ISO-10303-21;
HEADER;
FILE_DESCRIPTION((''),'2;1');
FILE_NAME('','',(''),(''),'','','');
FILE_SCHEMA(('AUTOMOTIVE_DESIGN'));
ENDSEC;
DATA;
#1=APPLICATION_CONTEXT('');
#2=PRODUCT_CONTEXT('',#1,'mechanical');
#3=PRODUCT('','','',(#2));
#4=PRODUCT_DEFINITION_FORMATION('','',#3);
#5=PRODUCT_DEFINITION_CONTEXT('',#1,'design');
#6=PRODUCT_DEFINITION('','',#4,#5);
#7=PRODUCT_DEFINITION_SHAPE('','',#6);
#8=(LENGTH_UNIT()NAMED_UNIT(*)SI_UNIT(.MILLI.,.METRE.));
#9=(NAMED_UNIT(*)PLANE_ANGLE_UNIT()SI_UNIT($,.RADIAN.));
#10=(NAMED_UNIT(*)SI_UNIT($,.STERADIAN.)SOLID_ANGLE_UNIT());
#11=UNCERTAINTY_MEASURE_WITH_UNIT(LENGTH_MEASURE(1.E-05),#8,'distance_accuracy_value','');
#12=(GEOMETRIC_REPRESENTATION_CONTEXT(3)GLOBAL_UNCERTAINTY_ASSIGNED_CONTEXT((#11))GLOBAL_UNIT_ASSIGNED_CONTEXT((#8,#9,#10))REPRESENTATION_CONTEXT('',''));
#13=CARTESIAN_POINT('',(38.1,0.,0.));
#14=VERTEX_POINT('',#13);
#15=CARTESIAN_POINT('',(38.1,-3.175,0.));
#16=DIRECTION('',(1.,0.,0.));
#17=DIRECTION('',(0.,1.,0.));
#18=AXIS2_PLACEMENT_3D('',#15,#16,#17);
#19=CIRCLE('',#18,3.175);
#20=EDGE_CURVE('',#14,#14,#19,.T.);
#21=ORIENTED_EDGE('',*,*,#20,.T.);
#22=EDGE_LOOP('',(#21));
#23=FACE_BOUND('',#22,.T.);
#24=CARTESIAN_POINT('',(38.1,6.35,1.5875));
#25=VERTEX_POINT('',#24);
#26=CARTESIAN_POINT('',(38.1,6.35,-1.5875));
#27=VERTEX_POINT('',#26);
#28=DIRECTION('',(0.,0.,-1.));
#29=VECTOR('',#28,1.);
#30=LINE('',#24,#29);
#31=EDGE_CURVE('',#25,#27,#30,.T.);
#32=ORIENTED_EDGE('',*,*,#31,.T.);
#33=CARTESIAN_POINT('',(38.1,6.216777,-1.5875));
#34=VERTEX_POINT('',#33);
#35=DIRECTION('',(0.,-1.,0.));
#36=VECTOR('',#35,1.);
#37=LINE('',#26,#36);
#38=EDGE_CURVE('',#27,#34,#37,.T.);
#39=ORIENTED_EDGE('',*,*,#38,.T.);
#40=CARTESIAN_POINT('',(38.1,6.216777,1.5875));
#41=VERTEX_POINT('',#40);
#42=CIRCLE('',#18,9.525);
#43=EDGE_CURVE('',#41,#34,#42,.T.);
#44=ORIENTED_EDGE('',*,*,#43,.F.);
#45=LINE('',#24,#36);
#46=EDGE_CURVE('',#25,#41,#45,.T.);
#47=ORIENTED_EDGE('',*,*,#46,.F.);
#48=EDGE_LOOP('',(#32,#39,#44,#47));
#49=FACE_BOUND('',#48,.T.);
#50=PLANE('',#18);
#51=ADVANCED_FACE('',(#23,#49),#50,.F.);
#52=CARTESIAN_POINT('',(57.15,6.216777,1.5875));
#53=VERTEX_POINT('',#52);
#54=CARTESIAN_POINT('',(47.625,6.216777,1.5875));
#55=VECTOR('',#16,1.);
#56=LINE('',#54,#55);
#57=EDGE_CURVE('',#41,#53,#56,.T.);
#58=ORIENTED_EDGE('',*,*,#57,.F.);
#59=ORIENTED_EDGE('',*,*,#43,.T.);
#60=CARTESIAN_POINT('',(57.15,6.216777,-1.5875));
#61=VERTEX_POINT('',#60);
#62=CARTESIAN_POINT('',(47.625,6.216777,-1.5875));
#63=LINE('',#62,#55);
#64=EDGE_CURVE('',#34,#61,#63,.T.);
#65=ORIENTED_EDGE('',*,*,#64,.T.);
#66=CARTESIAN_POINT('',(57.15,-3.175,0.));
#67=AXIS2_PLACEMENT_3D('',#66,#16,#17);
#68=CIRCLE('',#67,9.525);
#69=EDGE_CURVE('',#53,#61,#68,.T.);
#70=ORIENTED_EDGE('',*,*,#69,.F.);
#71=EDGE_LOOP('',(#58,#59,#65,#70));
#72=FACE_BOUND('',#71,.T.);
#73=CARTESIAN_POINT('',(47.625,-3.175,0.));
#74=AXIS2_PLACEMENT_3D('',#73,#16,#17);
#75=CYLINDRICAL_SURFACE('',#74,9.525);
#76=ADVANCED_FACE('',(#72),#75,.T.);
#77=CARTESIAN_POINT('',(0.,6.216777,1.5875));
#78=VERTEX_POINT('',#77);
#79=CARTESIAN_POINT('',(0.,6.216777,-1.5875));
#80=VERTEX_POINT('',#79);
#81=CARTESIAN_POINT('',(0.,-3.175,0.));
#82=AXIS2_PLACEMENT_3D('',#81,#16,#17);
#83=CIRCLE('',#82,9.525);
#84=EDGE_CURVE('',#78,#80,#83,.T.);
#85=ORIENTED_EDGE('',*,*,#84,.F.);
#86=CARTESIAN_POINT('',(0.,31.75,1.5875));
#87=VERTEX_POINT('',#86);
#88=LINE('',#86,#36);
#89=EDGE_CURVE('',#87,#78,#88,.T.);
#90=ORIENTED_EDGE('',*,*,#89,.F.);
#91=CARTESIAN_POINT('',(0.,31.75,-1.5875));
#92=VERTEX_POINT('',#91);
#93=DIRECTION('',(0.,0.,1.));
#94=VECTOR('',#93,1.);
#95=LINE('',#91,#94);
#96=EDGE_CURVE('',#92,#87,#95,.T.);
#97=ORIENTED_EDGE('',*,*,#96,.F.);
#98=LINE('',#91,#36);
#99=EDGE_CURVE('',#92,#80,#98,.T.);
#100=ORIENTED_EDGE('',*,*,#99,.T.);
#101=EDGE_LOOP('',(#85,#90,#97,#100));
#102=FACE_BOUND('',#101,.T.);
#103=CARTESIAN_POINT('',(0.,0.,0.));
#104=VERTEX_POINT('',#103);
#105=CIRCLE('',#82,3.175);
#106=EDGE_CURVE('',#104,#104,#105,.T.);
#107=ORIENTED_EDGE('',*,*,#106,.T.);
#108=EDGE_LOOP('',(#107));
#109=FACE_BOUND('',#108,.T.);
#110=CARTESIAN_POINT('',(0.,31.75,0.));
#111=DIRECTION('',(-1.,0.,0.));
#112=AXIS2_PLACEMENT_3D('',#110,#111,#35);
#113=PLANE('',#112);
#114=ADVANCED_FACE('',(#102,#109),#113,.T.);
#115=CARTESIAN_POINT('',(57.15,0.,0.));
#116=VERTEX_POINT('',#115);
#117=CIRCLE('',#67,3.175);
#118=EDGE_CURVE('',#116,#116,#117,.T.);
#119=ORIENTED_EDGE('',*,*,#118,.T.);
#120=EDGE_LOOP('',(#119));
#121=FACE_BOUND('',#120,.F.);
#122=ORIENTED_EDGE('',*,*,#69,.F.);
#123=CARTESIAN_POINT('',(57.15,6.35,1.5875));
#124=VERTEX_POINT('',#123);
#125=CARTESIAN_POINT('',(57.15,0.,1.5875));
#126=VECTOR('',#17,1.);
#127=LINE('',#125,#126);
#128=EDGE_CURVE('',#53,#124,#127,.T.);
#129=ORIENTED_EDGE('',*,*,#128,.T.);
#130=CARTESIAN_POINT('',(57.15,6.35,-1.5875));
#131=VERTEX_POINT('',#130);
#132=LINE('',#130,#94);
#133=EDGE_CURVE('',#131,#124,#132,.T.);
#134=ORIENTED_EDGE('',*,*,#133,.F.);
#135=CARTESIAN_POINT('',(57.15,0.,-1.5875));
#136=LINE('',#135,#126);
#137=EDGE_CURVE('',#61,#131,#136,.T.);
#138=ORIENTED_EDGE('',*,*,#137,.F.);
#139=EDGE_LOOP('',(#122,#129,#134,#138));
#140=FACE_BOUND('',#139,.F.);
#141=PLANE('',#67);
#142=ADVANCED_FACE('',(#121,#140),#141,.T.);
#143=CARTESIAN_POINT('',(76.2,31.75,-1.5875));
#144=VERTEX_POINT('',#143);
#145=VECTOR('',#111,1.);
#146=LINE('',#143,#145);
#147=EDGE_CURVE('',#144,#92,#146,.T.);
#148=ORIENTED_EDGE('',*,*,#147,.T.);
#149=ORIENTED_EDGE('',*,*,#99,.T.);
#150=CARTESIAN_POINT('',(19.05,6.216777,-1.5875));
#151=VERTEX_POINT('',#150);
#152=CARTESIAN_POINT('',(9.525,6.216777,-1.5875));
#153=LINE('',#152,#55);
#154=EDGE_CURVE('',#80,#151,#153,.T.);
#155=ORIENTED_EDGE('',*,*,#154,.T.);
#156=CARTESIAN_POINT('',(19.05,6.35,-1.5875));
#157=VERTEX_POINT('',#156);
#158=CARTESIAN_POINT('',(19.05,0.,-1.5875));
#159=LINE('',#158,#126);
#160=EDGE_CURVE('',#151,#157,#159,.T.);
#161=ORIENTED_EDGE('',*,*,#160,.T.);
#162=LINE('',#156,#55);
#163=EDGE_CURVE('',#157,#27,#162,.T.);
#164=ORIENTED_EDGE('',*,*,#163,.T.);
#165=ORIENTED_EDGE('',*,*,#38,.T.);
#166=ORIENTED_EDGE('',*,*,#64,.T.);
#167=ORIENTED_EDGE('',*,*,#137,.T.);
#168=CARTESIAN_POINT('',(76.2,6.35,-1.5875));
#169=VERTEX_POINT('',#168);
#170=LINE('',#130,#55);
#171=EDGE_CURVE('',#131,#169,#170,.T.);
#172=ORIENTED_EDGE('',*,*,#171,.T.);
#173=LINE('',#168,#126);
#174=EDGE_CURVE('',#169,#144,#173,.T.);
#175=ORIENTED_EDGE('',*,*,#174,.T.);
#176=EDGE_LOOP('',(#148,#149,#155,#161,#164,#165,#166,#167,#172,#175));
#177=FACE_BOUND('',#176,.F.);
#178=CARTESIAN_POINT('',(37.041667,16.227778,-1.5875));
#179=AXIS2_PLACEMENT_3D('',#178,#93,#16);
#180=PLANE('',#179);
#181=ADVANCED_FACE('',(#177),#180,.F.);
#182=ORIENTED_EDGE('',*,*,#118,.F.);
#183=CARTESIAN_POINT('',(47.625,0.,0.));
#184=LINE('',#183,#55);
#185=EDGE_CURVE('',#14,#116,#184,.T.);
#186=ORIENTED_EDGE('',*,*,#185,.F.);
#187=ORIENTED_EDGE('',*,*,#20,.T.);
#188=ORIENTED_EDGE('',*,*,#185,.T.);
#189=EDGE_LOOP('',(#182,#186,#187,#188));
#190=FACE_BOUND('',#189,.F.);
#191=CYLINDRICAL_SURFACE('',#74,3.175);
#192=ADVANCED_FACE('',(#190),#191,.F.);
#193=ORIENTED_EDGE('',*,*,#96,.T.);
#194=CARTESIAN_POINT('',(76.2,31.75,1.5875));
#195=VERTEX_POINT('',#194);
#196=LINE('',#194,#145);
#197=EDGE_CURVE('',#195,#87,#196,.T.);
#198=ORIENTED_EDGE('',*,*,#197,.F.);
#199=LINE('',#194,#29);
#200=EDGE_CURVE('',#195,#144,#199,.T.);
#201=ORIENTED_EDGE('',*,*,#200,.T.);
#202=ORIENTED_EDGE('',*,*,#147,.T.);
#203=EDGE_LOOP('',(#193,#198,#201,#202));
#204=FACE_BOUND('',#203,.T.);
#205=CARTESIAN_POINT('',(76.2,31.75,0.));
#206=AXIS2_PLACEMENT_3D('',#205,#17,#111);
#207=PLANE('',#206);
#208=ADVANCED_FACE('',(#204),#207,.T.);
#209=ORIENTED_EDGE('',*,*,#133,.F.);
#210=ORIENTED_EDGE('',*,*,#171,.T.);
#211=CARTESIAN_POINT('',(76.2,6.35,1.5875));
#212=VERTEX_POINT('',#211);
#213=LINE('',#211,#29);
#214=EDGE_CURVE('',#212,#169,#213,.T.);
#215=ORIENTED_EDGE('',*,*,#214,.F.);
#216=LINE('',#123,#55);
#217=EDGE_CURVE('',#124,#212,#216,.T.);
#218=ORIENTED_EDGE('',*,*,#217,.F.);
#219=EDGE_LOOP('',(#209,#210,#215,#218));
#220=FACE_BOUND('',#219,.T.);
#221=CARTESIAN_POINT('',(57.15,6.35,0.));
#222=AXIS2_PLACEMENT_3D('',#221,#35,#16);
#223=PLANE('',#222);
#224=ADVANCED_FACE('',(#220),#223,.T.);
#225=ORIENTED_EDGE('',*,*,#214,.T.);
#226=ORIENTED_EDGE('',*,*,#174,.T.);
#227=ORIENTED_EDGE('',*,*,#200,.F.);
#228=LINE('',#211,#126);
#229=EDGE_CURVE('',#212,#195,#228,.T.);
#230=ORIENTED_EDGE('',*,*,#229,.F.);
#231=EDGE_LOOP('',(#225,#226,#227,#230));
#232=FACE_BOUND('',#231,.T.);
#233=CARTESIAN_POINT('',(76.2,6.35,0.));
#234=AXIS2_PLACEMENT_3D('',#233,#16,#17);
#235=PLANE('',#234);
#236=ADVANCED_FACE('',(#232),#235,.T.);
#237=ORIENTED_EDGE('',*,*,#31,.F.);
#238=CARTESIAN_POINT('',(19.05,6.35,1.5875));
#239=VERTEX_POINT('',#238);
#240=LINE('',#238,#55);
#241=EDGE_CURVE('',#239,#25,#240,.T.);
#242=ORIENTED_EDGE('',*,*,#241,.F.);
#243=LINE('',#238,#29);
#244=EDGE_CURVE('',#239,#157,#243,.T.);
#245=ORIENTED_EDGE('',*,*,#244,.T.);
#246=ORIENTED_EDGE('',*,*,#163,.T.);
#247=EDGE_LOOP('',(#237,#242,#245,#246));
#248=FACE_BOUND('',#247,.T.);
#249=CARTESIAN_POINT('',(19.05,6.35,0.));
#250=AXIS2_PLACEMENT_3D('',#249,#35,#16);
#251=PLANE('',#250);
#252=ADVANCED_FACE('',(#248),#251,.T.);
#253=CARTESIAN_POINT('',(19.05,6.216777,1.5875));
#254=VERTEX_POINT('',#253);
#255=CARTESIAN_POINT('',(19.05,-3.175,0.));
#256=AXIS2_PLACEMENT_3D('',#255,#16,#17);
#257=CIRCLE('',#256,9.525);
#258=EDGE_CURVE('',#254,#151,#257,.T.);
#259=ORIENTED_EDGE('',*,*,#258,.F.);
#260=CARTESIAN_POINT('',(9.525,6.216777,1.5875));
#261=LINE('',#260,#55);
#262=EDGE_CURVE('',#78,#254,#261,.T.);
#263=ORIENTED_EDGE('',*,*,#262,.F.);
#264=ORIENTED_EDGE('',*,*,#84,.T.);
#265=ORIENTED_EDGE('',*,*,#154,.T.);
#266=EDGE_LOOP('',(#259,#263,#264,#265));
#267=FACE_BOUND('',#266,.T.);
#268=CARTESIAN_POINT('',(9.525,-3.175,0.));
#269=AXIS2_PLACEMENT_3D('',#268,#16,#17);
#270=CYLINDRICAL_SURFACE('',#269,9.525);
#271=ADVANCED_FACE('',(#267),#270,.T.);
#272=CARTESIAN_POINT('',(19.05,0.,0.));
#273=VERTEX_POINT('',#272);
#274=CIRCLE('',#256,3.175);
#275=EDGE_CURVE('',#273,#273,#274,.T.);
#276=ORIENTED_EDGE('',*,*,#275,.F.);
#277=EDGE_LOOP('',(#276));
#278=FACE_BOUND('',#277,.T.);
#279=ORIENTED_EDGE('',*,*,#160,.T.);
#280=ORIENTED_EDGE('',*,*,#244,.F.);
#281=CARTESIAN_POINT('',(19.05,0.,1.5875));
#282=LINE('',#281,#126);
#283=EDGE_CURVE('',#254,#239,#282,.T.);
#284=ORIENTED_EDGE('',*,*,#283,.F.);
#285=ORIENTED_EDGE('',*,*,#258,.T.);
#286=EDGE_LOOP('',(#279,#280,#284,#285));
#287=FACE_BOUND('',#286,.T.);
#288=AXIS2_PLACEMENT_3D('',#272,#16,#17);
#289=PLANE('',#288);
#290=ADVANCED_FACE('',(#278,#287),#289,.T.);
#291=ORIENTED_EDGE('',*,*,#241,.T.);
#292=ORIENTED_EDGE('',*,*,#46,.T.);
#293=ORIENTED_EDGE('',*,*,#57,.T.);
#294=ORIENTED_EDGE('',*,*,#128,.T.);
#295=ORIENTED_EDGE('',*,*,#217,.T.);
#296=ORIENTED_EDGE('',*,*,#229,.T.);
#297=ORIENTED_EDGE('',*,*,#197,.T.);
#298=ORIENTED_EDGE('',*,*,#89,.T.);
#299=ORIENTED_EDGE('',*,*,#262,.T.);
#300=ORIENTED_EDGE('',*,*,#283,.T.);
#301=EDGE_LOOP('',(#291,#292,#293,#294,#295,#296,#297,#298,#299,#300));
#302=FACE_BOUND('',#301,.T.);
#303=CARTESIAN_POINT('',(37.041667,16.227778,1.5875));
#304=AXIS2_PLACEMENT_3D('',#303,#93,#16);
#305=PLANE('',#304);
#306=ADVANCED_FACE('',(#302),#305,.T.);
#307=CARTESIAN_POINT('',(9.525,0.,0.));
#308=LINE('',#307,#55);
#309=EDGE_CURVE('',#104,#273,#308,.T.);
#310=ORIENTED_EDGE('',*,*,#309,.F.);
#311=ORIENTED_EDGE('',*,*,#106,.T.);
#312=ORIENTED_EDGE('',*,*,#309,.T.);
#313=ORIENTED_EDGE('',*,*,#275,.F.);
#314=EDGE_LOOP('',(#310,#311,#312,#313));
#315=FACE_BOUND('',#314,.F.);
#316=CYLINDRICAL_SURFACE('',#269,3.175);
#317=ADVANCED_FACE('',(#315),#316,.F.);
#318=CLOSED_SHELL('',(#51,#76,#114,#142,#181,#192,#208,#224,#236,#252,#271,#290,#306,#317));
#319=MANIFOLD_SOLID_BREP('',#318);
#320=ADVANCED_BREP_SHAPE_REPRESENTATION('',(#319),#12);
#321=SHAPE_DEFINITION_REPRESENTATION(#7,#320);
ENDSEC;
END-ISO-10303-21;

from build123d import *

# Parameters (mm, degrees)
F1_DEPTH = 1.5875
F2_W     = 19.05
F2_H     = 6.35


with BuildPart() as f1:
    # F0 (on Top) → F1 (new body, symmetric)
    with BuildSketch(Plane.XY):
        Polygon((76.2, 31.75), (0, 31.75), (0, 0), (19.05, 0), (19.05, 6.35), (38.1, 6.35), (38.1, 0), (57.15, 0), (57.15, 6.35), (76.2, 6.35), align=None)
    extrude(amount=F1_DEPTH, both=True)

    # F2 (on Top) → F3 (revolve)
    with BuildSketch(Plane.XY):
        with Locations((47.625, 3.175)):
            Rectangle(F2_W, F2_H)
        with Locations((9.525, 3.175)):
            Rectangle(F2_W, F2_H)
    revolve(axis=Axis((45.199081, -3.175, 0), (1, 0, 0)))


solid = f1.part
